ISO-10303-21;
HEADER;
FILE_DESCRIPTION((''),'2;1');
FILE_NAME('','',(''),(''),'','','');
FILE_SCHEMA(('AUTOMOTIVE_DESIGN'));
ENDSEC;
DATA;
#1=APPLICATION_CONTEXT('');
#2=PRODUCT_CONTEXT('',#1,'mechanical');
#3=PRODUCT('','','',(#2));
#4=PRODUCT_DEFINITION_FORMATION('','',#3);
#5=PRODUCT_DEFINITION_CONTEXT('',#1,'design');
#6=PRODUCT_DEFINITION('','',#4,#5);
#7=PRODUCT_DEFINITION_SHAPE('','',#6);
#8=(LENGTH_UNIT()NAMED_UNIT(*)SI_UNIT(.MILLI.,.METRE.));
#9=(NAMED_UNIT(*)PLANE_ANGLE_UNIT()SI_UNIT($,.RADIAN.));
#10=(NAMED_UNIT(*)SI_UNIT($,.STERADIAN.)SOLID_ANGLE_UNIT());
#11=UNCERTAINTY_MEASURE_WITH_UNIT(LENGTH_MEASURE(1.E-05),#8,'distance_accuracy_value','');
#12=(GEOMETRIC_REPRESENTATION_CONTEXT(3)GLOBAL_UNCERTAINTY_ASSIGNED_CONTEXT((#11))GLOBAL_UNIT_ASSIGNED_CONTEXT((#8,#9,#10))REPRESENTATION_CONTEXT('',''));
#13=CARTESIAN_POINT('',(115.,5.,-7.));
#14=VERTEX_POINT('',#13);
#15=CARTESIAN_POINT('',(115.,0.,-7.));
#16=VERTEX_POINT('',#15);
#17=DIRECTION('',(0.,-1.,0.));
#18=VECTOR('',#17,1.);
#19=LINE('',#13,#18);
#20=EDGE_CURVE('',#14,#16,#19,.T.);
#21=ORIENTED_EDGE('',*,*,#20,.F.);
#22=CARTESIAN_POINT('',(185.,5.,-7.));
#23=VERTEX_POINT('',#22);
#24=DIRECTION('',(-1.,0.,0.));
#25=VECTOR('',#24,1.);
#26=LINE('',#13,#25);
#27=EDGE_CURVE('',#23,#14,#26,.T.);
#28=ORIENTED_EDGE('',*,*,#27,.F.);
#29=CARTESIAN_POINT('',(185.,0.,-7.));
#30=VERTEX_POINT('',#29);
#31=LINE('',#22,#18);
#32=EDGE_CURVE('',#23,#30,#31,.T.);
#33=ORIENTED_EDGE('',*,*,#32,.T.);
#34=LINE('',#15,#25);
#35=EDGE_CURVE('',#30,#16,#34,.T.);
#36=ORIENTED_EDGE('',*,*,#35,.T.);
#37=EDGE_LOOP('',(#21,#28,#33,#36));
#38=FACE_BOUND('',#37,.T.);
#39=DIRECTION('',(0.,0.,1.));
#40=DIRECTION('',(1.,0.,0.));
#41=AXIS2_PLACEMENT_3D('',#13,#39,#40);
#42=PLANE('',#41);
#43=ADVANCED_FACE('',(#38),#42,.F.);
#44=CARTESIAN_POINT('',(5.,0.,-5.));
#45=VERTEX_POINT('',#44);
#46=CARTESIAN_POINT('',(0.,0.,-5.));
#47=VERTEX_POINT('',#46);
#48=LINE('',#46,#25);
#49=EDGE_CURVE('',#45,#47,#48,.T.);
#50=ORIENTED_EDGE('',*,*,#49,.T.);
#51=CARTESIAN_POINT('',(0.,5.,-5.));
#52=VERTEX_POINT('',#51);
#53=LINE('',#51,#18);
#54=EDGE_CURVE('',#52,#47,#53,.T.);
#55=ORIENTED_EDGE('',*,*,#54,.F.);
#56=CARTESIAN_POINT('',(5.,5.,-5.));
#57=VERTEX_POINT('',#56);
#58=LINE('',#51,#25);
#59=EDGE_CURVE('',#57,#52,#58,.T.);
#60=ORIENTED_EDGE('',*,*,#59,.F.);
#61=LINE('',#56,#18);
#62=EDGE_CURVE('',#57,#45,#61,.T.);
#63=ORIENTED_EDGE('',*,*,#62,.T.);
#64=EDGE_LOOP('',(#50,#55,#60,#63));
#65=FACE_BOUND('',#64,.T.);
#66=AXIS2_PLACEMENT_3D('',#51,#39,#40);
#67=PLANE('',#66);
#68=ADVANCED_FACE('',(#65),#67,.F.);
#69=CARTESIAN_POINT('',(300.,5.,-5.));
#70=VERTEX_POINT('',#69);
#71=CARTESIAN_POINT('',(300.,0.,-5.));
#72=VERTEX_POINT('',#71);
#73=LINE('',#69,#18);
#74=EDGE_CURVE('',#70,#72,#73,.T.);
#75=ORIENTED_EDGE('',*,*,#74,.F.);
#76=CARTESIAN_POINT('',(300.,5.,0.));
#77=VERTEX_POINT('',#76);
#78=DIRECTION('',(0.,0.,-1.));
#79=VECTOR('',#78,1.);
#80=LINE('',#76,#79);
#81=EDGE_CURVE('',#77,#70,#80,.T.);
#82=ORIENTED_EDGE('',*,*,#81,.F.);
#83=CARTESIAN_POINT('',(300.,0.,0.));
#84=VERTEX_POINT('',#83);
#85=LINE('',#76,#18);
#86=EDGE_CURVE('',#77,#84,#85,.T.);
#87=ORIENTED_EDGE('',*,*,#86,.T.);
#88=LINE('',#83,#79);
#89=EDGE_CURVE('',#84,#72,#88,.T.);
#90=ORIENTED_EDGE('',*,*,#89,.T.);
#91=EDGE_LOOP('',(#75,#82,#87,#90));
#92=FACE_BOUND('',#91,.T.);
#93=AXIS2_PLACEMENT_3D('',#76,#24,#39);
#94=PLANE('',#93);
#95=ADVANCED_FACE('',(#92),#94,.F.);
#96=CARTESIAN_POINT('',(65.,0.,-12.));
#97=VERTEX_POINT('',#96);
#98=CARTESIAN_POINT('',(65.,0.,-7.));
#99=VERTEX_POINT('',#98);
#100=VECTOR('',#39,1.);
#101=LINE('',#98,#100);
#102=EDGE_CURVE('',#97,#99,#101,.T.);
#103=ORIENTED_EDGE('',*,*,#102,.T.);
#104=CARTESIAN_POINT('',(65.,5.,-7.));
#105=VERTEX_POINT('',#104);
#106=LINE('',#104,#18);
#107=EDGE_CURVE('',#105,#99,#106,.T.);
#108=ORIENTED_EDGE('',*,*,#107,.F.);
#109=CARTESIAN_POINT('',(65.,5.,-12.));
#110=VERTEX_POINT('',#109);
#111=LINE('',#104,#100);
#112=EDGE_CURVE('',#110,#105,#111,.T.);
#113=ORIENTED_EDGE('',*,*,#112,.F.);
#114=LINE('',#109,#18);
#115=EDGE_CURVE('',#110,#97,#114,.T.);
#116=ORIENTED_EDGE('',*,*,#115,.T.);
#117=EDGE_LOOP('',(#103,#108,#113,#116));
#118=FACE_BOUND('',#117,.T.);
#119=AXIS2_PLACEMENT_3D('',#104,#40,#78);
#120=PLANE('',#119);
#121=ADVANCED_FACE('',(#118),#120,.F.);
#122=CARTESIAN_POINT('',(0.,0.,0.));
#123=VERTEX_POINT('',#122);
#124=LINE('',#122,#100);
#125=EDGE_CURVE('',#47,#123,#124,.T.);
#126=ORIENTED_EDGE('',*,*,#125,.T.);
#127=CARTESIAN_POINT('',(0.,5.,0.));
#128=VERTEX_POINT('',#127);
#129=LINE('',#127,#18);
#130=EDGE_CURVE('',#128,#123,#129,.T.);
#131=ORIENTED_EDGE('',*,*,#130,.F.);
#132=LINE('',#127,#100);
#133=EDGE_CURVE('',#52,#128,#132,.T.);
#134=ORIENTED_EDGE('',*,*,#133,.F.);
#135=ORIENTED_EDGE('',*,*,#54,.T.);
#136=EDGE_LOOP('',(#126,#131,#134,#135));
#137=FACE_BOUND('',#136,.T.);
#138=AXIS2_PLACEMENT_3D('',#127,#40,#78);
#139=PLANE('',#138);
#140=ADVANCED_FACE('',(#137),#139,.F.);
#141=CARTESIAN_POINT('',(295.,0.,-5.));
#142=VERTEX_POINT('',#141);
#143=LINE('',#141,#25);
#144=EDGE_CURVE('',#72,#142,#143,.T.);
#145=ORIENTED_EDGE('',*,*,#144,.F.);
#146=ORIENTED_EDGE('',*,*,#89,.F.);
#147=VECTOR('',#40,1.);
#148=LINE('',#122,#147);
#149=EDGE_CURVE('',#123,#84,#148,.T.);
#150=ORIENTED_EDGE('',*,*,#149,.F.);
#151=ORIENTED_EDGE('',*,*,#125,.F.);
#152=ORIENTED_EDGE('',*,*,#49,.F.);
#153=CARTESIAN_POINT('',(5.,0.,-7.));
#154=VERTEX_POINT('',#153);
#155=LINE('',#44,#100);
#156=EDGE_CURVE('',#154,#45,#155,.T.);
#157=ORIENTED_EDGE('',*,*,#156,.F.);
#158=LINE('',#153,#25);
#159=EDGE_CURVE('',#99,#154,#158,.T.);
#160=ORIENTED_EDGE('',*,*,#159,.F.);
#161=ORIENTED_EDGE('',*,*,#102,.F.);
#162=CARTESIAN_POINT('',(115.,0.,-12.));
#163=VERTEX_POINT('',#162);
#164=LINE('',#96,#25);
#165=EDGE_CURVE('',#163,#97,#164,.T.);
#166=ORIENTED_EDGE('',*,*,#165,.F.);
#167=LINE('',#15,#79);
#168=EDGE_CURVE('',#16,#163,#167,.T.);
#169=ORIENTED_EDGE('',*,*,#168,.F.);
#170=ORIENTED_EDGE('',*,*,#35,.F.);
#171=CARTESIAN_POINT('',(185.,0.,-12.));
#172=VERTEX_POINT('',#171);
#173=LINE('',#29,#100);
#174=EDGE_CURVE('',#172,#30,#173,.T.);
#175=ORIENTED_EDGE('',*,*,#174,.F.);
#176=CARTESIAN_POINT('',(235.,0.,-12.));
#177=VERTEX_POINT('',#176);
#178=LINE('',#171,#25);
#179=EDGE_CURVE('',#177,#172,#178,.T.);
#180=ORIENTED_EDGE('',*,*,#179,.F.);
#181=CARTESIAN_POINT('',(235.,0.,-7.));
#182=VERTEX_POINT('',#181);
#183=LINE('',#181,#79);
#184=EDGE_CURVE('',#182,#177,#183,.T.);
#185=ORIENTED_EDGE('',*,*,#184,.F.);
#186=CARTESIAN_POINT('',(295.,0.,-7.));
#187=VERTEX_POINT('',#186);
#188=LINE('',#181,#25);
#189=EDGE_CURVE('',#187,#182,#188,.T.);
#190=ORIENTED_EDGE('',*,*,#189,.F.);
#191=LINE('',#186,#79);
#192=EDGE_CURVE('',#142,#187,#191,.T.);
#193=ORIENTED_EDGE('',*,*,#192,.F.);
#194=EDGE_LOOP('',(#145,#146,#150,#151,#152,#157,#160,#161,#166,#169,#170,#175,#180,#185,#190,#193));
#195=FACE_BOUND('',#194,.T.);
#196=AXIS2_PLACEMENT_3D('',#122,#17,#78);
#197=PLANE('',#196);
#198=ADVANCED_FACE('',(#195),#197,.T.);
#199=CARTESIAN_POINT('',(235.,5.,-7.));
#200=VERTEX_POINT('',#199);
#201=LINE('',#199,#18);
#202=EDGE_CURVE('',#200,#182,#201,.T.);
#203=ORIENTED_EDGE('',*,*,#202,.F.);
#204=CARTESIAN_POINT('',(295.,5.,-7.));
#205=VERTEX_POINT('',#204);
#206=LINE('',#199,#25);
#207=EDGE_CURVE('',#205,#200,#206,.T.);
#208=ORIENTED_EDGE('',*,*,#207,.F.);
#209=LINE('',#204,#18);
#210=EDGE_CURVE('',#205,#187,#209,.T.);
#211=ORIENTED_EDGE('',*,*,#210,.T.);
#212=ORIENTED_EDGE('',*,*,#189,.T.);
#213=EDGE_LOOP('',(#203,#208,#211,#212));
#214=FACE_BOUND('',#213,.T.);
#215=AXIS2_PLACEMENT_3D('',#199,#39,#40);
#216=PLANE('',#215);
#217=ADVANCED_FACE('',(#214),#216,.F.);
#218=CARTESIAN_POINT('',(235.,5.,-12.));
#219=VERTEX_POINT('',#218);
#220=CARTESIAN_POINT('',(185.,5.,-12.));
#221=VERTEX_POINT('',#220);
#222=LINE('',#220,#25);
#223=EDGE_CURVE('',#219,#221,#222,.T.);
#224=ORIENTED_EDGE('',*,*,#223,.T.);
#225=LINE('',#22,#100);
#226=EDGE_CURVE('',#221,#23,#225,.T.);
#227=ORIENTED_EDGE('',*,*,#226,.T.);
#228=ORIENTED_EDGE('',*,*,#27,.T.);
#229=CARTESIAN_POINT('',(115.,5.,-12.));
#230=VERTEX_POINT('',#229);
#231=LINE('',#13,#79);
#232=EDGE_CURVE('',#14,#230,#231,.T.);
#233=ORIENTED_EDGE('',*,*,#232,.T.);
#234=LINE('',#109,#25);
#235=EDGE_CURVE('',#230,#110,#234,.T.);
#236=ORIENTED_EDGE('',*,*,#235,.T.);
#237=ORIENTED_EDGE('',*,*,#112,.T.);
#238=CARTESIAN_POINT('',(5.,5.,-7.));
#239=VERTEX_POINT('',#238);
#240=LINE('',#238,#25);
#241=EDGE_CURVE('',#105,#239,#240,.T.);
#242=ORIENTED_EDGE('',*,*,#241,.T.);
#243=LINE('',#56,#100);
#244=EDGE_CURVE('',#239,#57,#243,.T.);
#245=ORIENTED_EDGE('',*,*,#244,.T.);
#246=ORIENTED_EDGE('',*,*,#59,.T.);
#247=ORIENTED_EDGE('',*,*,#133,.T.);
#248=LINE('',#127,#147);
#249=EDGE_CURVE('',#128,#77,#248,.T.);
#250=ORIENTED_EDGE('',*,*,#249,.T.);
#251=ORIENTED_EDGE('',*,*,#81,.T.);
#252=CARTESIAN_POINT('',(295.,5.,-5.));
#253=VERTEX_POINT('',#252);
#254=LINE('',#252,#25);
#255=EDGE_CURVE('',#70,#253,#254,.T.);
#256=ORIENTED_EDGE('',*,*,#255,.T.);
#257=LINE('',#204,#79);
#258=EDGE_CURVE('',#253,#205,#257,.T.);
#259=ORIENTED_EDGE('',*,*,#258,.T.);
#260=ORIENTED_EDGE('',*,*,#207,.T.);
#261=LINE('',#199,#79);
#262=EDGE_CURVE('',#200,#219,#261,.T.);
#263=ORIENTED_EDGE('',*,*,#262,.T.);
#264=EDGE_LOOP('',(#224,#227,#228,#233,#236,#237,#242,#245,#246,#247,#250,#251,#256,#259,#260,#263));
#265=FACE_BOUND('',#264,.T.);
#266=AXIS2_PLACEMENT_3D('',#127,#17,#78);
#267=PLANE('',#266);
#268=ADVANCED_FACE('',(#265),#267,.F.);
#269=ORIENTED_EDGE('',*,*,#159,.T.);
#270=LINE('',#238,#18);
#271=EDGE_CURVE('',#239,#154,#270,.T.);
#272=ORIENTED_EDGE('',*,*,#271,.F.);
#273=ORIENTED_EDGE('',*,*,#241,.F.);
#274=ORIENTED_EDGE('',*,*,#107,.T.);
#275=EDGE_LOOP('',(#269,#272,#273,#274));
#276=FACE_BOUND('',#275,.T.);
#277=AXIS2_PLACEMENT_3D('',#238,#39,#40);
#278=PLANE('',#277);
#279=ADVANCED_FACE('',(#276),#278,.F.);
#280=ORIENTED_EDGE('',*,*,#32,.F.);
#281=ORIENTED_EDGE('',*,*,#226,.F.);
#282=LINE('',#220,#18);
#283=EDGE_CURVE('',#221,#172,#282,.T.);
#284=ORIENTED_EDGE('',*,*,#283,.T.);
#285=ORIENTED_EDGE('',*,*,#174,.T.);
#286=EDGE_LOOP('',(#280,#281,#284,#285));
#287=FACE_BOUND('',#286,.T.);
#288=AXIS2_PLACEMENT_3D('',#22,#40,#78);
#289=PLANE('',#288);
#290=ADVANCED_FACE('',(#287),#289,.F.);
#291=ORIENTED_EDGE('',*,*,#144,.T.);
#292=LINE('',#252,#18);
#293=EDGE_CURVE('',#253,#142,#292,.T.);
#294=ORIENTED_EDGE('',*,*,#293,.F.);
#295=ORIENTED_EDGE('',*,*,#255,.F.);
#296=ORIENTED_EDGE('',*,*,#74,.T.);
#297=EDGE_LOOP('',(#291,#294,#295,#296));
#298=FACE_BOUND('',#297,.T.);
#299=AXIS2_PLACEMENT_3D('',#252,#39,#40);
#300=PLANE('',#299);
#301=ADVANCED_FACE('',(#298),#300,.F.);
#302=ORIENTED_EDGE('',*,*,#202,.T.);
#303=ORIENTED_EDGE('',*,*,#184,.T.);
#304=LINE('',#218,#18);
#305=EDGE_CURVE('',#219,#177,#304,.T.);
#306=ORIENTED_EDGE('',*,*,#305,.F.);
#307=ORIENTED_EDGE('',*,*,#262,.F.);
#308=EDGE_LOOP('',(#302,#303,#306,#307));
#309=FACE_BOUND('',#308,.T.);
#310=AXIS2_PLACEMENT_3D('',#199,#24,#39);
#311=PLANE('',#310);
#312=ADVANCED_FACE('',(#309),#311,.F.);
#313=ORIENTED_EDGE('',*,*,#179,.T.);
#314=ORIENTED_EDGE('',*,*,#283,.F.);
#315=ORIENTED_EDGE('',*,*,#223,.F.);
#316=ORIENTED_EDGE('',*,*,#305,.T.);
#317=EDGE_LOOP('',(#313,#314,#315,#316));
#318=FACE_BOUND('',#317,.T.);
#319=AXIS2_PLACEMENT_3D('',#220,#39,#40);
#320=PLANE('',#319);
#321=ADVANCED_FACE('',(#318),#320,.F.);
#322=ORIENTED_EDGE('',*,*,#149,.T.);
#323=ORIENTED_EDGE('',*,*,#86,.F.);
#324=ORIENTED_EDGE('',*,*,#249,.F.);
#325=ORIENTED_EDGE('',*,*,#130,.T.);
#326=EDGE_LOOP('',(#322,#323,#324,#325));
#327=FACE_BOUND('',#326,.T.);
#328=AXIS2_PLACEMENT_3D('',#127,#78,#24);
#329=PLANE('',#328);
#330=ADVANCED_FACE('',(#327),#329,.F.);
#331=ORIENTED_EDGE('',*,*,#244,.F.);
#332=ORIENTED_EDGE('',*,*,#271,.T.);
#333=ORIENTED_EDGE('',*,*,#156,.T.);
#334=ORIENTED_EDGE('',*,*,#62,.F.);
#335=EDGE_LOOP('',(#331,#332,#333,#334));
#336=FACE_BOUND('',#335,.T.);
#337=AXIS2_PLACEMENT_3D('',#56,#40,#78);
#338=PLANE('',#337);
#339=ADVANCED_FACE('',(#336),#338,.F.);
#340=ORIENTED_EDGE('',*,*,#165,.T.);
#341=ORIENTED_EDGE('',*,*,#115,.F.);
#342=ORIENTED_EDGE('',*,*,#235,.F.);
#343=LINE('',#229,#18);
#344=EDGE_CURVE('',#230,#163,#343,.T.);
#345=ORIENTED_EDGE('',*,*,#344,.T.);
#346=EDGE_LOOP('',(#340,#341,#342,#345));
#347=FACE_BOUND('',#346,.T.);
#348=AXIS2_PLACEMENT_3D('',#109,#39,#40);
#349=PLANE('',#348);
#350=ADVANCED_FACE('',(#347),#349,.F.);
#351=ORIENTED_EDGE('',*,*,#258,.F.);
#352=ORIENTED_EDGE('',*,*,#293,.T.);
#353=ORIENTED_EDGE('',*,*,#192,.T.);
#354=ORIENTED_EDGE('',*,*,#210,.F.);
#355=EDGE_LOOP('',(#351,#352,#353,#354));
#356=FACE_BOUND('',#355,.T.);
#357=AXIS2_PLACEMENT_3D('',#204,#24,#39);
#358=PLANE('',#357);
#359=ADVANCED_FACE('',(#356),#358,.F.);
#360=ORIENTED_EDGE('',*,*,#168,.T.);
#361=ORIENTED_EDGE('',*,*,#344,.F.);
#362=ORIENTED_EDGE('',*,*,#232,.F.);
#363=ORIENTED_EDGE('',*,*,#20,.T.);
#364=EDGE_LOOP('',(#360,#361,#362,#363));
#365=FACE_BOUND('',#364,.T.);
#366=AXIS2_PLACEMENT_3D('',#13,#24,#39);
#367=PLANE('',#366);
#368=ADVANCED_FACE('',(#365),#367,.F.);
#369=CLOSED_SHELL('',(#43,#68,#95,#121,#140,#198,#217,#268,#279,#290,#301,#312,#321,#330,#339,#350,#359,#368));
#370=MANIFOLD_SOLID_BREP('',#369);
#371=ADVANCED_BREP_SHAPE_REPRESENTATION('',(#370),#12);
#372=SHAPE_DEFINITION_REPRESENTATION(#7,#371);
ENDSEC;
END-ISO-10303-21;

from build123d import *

# Parameters (mm, degrees)
EXTRUDE_1_DEPTH = 5


with BuildPart() as part:
    # 草图1 → 凸台-拉伸1 (new body)
    with BuildSketch(Plane(origin=(0, 0, 0), x_dir=(1, 0, 0), z_dir=(0, 1, 0))):
        Polygon((115, 7), (185, 7), (185, 12), (235, 12), (235, 7), (295, 7), (295, 5), (300, 5), (300, 0), (0, 0), (0, 5), (5, 5), (5, 7), (65, 7), (65, 12), (115, 12), align=None)
    extrude(amount=EXTRUDE_1_DEPTH)


solid = part.part
